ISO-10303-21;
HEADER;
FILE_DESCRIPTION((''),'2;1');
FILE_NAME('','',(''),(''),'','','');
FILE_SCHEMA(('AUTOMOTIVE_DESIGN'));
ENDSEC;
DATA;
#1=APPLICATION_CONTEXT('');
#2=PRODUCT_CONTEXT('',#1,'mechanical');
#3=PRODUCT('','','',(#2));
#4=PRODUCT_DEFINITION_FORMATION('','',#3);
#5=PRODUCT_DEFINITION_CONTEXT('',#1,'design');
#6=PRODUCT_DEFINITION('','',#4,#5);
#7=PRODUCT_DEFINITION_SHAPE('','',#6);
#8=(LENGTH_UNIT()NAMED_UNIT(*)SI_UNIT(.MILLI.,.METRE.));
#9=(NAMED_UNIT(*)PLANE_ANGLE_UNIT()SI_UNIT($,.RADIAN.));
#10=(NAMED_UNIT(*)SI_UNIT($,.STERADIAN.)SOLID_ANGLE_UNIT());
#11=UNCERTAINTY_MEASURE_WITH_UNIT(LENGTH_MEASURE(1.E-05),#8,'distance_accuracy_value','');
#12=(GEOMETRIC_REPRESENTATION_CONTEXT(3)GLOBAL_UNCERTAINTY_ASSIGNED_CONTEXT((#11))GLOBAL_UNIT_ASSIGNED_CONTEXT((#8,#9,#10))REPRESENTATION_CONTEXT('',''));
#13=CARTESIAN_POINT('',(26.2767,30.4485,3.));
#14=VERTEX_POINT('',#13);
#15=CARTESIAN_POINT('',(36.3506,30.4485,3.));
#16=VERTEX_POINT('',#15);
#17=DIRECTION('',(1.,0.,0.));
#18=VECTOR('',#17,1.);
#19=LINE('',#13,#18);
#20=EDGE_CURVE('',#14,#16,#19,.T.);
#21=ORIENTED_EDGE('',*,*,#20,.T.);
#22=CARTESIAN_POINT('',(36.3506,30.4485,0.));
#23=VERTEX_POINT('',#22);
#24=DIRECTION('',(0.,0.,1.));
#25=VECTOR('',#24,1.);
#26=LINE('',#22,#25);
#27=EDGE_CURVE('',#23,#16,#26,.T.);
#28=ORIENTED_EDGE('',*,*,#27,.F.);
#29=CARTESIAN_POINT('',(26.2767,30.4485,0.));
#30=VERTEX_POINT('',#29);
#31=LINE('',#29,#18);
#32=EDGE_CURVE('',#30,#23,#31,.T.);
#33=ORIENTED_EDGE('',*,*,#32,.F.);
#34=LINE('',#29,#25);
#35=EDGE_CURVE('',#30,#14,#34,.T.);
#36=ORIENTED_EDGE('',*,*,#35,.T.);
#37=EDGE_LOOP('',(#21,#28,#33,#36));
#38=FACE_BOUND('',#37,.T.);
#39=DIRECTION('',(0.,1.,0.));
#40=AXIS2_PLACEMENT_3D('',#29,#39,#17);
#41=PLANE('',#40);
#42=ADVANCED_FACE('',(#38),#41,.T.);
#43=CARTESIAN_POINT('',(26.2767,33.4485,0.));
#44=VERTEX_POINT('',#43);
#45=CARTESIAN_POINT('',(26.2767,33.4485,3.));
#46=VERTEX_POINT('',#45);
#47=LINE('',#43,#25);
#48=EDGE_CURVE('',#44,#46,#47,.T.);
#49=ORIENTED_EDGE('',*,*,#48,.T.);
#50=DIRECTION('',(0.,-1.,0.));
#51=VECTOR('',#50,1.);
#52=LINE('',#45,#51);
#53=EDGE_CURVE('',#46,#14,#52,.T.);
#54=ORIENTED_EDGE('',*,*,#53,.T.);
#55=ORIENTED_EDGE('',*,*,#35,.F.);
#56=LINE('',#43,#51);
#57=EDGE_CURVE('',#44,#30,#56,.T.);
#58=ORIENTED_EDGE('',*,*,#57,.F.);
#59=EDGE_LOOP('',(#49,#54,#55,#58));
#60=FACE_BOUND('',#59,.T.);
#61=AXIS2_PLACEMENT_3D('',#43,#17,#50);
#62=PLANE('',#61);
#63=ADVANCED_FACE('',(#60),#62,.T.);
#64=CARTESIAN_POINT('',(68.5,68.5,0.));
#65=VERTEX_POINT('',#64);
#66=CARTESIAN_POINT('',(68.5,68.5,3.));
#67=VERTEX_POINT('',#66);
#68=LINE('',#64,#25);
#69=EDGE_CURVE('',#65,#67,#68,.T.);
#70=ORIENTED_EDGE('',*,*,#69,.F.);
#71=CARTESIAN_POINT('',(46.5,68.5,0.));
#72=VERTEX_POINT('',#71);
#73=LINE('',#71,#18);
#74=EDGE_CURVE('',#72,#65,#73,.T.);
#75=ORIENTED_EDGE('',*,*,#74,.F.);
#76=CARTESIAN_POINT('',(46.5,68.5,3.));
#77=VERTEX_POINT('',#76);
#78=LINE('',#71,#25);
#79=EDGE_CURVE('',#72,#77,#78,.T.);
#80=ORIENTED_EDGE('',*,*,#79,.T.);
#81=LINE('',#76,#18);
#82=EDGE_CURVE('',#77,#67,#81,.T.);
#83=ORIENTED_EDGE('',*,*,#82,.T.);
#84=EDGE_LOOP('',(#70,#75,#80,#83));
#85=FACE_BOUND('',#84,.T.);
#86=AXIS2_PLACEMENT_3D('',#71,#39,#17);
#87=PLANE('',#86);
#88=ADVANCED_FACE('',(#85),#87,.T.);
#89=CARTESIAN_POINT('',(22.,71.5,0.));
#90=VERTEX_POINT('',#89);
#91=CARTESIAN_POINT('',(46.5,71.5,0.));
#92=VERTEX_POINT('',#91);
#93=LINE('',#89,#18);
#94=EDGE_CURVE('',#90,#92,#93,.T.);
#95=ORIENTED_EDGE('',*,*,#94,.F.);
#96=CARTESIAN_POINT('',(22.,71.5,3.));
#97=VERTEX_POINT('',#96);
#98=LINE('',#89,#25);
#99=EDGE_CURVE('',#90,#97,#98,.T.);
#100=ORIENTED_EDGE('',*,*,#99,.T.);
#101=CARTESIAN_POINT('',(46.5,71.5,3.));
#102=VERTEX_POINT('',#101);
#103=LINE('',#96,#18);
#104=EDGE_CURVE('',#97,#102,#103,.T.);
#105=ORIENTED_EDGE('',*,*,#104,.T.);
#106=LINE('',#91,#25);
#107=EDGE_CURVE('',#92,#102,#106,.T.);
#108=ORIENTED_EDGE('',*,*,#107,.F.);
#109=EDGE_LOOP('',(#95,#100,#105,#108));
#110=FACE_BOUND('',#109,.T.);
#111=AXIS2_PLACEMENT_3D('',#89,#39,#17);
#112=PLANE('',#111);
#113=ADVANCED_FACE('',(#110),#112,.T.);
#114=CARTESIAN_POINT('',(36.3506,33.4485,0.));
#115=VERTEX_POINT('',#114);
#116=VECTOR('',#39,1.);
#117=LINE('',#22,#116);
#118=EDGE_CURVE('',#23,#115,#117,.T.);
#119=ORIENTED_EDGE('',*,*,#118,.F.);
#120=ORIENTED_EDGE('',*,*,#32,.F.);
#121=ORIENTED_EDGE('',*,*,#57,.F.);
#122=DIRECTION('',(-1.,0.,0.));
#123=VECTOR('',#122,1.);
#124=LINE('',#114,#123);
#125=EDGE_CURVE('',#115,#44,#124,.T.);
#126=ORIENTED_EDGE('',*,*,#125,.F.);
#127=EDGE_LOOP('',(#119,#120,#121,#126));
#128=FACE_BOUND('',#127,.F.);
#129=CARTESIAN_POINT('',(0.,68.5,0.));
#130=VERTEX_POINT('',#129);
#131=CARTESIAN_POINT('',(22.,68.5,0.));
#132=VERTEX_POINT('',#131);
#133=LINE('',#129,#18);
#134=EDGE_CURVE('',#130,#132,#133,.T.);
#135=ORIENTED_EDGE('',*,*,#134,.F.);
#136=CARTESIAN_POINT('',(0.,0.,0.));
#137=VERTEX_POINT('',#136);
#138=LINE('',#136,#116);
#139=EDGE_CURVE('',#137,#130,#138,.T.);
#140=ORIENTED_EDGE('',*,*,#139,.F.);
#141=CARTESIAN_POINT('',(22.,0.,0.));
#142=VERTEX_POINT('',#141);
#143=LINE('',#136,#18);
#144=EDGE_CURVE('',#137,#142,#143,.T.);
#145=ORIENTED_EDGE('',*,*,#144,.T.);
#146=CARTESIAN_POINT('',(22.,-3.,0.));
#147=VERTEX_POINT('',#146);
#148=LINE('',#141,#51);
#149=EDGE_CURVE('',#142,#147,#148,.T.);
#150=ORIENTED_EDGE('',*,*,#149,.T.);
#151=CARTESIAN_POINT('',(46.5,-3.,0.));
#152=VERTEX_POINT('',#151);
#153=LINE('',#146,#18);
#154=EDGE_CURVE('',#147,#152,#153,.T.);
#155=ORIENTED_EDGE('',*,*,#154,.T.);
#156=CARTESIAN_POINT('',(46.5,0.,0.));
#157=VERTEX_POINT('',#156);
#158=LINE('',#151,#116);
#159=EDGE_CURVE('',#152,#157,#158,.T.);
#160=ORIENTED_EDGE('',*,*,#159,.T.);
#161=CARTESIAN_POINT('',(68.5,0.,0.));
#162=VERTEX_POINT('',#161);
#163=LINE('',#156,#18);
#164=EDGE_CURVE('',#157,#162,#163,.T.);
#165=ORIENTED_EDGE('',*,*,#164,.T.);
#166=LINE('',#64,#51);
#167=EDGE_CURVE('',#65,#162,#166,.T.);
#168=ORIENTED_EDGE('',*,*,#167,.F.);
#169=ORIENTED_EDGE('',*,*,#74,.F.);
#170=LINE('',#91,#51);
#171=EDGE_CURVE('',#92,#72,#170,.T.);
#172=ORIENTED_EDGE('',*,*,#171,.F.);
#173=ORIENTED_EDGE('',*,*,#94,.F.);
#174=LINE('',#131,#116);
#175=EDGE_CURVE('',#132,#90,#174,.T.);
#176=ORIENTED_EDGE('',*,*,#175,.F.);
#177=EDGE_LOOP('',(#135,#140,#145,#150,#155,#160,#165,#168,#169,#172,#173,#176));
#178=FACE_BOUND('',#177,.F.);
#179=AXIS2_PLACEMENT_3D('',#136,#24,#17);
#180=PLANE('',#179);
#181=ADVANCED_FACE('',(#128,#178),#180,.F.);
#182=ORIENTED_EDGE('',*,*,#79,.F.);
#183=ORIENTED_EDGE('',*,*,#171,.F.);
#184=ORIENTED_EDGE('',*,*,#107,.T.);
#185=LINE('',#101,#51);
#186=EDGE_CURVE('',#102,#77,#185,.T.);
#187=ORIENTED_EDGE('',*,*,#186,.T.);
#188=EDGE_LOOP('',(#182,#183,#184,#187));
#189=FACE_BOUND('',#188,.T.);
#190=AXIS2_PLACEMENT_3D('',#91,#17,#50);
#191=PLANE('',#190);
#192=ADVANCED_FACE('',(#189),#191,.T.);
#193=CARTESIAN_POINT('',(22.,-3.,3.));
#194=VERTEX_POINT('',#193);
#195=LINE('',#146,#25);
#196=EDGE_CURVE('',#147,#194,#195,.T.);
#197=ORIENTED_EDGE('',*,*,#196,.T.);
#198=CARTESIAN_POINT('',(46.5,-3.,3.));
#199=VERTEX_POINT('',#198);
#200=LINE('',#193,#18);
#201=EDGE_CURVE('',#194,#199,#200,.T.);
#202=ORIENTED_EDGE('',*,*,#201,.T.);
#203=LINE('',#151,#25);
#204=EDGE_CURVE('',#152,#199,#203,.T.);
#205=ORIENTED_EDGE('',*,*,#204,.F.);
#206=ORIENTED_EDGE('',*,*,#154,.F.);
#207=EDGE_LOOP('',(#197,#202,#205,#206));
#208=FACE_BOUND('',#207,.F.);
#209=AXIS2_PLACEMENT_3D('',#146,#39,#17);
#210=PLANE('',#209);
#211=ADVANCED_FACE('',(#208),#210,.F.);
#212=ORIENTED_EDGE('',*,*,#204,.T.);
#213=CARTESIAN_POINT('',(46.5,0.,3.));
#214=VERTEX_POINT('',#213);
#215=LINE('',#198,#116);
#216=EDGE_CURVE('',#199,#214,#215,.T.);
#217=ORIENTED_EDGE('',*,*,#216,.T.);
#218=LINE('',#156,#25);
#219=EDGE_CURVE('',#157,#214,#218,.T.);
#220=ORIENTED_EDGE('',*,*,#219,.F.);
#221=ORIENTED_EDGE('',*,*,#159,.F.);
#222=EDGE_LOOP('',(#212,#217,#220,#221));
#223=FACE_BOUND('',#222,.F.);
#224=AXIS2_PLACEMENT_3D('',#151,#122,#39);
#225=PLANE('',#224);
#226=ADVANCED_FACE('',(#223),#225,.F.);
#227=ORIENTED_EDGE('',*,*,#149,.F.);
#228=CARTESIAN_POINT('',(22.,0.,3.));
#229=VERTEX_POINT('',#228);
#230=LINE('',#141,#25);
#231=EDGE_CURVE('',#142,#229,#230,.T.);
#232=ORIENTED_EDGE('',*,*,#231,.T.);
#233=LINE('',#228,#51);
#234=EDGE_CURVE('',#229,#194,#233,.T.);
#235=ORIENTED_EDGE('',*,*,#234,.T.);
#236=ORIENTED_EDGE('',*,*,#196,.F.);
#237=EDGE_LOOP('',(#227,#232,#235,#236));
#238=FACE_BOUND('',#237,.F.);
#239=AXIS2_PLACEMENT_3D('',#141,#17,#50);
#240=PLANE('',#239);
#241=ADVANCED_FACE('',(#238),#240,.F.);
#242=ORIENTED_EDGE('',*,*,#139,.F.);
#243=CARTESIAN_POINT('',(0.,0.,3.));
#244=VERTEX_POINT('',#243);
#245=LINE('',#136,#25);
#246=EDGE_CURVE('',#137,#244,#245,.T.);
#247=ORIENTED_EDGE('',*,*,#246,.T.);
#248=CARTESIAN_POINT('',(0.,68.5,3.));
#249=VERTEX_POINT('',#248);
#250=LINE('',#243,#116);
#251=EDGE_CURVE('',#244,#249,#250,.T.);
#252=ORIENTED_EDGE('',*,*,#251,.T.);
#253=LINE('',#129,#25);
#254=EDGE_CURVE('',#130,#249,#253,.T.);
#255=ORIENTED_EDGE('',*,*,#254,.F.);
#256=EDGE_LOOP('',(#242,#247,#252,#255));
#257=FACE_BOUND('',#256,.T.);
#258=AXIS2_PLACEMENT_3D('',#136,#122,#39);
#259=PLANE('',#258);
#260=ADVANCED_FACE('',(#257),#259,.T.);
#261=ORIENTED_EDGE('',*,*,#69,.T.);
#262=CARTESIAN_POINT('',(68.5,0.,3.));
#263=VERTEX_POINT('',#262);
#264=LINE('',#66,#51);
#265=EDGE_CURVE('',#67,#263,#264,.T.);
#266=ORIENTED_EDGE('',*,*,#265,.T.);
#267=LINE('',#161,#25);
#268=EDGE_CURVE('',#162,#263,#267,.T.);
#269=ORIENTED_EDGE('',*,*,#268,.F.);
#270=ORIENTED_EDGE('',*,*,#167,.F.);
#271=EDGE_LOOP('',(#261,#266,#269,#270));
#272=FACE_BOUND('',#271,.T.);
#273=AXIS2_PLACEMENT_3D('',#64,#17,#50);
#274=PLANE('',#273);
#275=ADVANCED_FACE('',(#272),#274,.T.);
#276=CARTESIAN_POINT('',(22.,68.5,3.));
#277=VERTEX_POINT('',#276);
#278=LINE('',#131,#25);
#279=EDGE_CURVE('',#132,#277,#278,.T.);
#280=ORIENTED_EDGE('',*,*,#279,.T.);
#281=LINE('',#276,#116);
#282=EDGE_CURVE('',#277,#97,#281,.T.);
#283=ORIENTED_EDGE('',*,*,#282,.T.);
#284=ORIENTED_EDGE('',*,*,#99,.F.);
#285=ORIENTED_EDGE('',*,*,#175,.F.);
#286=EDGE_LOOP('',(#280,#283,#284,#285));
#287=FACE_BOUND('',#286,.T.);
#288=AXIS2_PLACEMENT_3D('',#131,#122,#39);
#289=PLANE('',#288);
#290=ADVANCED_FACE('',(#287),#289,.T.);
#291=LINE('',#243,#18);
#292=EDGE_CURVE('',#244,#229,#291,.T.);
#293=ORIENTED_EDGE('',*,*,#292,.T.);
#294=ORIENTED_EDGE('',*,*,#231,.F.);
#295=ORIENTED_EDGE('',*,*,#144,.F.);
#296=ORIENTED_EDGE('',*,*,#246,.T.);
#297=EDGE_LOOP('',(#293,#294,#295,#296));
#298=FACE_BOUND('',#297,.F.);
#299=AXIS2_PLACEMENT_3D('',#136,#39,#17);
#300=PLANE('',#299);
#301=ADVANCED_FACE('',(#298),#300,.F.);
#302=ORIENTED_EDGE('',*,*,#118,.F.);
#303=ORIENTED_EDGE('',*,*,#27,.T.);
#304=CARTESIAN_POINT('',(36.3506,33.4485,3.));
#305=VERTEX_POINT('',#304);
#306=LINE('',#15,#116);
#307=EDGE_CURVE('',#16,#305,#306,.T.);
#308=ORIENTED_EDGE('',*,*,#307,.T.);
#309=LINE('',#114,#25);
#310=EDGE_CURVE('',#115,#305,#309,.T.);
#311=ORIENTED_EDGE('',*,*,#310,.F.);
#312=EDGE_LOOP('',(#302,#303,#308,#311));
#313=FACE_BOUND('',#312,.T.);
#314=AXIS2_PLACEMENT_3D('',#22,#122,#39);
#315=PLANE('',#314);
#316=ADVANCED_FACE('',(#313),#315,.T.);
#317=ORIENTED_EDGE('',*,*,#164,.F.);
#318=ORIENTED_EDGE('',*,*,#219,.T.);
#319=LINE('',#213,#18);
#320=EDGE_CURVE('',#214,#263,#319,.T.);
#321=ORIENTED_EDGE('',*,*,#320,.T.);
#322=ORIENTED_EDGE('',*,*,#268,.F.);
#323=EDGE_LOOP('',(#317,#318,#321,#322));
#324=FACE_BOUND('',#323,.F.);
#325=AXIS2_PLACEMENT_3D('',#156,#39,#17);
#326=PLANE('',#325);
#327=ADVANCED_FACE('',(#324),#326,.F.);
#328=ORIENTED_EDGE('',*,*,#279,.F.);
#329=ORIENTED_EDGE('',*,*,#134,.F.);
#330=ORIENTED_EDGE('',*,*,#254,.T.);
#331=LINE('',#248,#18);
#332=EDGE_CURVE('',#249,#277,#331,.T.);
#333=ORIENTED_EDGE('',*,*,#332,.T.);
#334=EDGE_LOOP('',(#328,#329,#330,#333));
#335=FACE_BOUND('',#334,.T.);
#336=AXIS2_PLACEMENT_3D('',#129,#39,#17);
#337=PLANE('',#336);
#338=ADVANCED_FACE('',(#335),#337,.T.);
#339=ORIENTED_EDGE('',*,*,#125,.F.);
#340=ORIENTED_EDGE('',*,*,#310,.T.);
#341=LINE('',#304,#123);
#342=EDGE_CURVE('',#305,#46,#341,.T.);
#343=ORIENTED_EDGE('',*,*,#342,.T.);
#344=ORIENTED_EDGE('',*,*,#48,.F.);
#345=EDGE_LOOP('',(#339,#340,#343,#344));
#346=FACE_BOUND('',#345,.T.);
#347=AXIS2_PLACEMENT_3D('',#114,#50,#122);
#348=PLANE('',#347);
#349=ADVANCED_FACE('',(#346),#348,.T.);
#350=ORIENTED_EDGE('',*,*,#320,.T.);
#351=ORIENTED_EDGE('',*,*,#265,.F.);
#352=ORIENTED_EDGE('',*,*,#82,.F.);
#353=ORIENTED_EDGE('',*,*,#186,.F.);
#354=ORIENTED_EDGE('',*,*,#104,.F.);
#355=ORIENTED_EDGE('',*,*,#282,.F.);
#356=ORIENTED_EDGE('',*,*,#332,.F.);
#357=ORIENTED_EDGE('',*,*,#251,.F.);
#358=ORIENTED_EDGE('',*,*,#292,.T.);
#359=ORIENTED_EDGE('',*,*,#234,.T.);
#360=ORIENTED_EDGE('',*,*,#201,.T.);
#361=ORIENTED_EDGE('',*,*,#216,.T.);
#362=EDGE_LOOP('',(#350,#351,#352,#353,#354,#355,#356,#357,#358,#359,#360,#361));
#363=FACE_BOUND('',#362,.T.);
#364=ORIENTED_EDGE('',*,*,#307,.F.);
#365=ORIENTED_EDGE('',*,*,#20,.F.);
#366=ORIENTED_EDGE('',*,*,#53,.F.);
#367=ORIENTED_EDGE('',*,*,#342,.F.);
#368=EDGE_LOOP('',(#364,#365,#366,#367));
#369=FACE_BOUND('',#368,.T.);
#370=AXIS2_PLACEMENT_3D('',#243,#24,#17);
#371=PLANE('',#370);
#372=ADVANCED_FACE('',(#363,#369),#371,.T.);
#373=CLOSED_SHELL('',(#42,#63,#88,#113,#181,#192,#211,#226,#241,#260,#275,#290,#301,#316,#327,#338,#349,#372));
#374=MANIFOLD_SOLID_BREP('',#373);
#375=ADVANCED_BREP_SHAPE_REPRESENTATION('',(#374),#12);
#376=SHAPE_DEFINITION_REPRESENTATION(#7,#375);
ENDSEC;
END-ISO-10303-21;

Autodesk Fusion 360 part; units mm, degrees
sketch "Sketch1" plane through (0, 0, 0) normal (0, 0, 1) x (1, 0, 0)
  line L0 (0, 0) -> (22, 0)
  line L1 (22, 0) -> (22, -3)
  line L2 (22, -3) -> (46.5, -3)
  line L3 (46.5, -3) -> (46.5, 0)
  line L4 (46.5, 0) -> (68.5, 0)
  line L5 (0, 0) -> (0, 68.5)
  line L6 (0, 68.5) -> (22, 68.5)
  line L7 (22, 68.5) -> (22, 71.5)
  line L8 (22, 71.5) -> (46.5, 71.5)
  line L9 (46.5, 71.5) -> (46.5, 68.5)
  line L10 (46.5, 68.5) -> (68.5, 68.5)
  line L11 (68.5, 68.5) -> (68.5, 0)
  line L12 (26.2767, 30.4485) -> (36.3506, 30.4485)
  line L13 (36.3506, 30.4485) -> (36.3506, 33.4485)
  line L14 (36.3506, 33.4485) -> (26.2767, 33.4485)
  line L15 (26.2767, 33.4485) -> (26.2767, 30.4485)
  dimension "d1" = 22
  dimension "d2" = 3
  dimension "d3" = 24.5
  dimension "d4" = 22
  dimension "d5" = 68.5
  dimension "d6" = 22
  dimension "d7" = 3
  dimension "d8" = 24.5
  dimension "d9" = 3
  dimension "d10" = 22
  dimension "d11" = 3
extrude "Extrude1" add sketch "Sketch1" along normal blind 3
